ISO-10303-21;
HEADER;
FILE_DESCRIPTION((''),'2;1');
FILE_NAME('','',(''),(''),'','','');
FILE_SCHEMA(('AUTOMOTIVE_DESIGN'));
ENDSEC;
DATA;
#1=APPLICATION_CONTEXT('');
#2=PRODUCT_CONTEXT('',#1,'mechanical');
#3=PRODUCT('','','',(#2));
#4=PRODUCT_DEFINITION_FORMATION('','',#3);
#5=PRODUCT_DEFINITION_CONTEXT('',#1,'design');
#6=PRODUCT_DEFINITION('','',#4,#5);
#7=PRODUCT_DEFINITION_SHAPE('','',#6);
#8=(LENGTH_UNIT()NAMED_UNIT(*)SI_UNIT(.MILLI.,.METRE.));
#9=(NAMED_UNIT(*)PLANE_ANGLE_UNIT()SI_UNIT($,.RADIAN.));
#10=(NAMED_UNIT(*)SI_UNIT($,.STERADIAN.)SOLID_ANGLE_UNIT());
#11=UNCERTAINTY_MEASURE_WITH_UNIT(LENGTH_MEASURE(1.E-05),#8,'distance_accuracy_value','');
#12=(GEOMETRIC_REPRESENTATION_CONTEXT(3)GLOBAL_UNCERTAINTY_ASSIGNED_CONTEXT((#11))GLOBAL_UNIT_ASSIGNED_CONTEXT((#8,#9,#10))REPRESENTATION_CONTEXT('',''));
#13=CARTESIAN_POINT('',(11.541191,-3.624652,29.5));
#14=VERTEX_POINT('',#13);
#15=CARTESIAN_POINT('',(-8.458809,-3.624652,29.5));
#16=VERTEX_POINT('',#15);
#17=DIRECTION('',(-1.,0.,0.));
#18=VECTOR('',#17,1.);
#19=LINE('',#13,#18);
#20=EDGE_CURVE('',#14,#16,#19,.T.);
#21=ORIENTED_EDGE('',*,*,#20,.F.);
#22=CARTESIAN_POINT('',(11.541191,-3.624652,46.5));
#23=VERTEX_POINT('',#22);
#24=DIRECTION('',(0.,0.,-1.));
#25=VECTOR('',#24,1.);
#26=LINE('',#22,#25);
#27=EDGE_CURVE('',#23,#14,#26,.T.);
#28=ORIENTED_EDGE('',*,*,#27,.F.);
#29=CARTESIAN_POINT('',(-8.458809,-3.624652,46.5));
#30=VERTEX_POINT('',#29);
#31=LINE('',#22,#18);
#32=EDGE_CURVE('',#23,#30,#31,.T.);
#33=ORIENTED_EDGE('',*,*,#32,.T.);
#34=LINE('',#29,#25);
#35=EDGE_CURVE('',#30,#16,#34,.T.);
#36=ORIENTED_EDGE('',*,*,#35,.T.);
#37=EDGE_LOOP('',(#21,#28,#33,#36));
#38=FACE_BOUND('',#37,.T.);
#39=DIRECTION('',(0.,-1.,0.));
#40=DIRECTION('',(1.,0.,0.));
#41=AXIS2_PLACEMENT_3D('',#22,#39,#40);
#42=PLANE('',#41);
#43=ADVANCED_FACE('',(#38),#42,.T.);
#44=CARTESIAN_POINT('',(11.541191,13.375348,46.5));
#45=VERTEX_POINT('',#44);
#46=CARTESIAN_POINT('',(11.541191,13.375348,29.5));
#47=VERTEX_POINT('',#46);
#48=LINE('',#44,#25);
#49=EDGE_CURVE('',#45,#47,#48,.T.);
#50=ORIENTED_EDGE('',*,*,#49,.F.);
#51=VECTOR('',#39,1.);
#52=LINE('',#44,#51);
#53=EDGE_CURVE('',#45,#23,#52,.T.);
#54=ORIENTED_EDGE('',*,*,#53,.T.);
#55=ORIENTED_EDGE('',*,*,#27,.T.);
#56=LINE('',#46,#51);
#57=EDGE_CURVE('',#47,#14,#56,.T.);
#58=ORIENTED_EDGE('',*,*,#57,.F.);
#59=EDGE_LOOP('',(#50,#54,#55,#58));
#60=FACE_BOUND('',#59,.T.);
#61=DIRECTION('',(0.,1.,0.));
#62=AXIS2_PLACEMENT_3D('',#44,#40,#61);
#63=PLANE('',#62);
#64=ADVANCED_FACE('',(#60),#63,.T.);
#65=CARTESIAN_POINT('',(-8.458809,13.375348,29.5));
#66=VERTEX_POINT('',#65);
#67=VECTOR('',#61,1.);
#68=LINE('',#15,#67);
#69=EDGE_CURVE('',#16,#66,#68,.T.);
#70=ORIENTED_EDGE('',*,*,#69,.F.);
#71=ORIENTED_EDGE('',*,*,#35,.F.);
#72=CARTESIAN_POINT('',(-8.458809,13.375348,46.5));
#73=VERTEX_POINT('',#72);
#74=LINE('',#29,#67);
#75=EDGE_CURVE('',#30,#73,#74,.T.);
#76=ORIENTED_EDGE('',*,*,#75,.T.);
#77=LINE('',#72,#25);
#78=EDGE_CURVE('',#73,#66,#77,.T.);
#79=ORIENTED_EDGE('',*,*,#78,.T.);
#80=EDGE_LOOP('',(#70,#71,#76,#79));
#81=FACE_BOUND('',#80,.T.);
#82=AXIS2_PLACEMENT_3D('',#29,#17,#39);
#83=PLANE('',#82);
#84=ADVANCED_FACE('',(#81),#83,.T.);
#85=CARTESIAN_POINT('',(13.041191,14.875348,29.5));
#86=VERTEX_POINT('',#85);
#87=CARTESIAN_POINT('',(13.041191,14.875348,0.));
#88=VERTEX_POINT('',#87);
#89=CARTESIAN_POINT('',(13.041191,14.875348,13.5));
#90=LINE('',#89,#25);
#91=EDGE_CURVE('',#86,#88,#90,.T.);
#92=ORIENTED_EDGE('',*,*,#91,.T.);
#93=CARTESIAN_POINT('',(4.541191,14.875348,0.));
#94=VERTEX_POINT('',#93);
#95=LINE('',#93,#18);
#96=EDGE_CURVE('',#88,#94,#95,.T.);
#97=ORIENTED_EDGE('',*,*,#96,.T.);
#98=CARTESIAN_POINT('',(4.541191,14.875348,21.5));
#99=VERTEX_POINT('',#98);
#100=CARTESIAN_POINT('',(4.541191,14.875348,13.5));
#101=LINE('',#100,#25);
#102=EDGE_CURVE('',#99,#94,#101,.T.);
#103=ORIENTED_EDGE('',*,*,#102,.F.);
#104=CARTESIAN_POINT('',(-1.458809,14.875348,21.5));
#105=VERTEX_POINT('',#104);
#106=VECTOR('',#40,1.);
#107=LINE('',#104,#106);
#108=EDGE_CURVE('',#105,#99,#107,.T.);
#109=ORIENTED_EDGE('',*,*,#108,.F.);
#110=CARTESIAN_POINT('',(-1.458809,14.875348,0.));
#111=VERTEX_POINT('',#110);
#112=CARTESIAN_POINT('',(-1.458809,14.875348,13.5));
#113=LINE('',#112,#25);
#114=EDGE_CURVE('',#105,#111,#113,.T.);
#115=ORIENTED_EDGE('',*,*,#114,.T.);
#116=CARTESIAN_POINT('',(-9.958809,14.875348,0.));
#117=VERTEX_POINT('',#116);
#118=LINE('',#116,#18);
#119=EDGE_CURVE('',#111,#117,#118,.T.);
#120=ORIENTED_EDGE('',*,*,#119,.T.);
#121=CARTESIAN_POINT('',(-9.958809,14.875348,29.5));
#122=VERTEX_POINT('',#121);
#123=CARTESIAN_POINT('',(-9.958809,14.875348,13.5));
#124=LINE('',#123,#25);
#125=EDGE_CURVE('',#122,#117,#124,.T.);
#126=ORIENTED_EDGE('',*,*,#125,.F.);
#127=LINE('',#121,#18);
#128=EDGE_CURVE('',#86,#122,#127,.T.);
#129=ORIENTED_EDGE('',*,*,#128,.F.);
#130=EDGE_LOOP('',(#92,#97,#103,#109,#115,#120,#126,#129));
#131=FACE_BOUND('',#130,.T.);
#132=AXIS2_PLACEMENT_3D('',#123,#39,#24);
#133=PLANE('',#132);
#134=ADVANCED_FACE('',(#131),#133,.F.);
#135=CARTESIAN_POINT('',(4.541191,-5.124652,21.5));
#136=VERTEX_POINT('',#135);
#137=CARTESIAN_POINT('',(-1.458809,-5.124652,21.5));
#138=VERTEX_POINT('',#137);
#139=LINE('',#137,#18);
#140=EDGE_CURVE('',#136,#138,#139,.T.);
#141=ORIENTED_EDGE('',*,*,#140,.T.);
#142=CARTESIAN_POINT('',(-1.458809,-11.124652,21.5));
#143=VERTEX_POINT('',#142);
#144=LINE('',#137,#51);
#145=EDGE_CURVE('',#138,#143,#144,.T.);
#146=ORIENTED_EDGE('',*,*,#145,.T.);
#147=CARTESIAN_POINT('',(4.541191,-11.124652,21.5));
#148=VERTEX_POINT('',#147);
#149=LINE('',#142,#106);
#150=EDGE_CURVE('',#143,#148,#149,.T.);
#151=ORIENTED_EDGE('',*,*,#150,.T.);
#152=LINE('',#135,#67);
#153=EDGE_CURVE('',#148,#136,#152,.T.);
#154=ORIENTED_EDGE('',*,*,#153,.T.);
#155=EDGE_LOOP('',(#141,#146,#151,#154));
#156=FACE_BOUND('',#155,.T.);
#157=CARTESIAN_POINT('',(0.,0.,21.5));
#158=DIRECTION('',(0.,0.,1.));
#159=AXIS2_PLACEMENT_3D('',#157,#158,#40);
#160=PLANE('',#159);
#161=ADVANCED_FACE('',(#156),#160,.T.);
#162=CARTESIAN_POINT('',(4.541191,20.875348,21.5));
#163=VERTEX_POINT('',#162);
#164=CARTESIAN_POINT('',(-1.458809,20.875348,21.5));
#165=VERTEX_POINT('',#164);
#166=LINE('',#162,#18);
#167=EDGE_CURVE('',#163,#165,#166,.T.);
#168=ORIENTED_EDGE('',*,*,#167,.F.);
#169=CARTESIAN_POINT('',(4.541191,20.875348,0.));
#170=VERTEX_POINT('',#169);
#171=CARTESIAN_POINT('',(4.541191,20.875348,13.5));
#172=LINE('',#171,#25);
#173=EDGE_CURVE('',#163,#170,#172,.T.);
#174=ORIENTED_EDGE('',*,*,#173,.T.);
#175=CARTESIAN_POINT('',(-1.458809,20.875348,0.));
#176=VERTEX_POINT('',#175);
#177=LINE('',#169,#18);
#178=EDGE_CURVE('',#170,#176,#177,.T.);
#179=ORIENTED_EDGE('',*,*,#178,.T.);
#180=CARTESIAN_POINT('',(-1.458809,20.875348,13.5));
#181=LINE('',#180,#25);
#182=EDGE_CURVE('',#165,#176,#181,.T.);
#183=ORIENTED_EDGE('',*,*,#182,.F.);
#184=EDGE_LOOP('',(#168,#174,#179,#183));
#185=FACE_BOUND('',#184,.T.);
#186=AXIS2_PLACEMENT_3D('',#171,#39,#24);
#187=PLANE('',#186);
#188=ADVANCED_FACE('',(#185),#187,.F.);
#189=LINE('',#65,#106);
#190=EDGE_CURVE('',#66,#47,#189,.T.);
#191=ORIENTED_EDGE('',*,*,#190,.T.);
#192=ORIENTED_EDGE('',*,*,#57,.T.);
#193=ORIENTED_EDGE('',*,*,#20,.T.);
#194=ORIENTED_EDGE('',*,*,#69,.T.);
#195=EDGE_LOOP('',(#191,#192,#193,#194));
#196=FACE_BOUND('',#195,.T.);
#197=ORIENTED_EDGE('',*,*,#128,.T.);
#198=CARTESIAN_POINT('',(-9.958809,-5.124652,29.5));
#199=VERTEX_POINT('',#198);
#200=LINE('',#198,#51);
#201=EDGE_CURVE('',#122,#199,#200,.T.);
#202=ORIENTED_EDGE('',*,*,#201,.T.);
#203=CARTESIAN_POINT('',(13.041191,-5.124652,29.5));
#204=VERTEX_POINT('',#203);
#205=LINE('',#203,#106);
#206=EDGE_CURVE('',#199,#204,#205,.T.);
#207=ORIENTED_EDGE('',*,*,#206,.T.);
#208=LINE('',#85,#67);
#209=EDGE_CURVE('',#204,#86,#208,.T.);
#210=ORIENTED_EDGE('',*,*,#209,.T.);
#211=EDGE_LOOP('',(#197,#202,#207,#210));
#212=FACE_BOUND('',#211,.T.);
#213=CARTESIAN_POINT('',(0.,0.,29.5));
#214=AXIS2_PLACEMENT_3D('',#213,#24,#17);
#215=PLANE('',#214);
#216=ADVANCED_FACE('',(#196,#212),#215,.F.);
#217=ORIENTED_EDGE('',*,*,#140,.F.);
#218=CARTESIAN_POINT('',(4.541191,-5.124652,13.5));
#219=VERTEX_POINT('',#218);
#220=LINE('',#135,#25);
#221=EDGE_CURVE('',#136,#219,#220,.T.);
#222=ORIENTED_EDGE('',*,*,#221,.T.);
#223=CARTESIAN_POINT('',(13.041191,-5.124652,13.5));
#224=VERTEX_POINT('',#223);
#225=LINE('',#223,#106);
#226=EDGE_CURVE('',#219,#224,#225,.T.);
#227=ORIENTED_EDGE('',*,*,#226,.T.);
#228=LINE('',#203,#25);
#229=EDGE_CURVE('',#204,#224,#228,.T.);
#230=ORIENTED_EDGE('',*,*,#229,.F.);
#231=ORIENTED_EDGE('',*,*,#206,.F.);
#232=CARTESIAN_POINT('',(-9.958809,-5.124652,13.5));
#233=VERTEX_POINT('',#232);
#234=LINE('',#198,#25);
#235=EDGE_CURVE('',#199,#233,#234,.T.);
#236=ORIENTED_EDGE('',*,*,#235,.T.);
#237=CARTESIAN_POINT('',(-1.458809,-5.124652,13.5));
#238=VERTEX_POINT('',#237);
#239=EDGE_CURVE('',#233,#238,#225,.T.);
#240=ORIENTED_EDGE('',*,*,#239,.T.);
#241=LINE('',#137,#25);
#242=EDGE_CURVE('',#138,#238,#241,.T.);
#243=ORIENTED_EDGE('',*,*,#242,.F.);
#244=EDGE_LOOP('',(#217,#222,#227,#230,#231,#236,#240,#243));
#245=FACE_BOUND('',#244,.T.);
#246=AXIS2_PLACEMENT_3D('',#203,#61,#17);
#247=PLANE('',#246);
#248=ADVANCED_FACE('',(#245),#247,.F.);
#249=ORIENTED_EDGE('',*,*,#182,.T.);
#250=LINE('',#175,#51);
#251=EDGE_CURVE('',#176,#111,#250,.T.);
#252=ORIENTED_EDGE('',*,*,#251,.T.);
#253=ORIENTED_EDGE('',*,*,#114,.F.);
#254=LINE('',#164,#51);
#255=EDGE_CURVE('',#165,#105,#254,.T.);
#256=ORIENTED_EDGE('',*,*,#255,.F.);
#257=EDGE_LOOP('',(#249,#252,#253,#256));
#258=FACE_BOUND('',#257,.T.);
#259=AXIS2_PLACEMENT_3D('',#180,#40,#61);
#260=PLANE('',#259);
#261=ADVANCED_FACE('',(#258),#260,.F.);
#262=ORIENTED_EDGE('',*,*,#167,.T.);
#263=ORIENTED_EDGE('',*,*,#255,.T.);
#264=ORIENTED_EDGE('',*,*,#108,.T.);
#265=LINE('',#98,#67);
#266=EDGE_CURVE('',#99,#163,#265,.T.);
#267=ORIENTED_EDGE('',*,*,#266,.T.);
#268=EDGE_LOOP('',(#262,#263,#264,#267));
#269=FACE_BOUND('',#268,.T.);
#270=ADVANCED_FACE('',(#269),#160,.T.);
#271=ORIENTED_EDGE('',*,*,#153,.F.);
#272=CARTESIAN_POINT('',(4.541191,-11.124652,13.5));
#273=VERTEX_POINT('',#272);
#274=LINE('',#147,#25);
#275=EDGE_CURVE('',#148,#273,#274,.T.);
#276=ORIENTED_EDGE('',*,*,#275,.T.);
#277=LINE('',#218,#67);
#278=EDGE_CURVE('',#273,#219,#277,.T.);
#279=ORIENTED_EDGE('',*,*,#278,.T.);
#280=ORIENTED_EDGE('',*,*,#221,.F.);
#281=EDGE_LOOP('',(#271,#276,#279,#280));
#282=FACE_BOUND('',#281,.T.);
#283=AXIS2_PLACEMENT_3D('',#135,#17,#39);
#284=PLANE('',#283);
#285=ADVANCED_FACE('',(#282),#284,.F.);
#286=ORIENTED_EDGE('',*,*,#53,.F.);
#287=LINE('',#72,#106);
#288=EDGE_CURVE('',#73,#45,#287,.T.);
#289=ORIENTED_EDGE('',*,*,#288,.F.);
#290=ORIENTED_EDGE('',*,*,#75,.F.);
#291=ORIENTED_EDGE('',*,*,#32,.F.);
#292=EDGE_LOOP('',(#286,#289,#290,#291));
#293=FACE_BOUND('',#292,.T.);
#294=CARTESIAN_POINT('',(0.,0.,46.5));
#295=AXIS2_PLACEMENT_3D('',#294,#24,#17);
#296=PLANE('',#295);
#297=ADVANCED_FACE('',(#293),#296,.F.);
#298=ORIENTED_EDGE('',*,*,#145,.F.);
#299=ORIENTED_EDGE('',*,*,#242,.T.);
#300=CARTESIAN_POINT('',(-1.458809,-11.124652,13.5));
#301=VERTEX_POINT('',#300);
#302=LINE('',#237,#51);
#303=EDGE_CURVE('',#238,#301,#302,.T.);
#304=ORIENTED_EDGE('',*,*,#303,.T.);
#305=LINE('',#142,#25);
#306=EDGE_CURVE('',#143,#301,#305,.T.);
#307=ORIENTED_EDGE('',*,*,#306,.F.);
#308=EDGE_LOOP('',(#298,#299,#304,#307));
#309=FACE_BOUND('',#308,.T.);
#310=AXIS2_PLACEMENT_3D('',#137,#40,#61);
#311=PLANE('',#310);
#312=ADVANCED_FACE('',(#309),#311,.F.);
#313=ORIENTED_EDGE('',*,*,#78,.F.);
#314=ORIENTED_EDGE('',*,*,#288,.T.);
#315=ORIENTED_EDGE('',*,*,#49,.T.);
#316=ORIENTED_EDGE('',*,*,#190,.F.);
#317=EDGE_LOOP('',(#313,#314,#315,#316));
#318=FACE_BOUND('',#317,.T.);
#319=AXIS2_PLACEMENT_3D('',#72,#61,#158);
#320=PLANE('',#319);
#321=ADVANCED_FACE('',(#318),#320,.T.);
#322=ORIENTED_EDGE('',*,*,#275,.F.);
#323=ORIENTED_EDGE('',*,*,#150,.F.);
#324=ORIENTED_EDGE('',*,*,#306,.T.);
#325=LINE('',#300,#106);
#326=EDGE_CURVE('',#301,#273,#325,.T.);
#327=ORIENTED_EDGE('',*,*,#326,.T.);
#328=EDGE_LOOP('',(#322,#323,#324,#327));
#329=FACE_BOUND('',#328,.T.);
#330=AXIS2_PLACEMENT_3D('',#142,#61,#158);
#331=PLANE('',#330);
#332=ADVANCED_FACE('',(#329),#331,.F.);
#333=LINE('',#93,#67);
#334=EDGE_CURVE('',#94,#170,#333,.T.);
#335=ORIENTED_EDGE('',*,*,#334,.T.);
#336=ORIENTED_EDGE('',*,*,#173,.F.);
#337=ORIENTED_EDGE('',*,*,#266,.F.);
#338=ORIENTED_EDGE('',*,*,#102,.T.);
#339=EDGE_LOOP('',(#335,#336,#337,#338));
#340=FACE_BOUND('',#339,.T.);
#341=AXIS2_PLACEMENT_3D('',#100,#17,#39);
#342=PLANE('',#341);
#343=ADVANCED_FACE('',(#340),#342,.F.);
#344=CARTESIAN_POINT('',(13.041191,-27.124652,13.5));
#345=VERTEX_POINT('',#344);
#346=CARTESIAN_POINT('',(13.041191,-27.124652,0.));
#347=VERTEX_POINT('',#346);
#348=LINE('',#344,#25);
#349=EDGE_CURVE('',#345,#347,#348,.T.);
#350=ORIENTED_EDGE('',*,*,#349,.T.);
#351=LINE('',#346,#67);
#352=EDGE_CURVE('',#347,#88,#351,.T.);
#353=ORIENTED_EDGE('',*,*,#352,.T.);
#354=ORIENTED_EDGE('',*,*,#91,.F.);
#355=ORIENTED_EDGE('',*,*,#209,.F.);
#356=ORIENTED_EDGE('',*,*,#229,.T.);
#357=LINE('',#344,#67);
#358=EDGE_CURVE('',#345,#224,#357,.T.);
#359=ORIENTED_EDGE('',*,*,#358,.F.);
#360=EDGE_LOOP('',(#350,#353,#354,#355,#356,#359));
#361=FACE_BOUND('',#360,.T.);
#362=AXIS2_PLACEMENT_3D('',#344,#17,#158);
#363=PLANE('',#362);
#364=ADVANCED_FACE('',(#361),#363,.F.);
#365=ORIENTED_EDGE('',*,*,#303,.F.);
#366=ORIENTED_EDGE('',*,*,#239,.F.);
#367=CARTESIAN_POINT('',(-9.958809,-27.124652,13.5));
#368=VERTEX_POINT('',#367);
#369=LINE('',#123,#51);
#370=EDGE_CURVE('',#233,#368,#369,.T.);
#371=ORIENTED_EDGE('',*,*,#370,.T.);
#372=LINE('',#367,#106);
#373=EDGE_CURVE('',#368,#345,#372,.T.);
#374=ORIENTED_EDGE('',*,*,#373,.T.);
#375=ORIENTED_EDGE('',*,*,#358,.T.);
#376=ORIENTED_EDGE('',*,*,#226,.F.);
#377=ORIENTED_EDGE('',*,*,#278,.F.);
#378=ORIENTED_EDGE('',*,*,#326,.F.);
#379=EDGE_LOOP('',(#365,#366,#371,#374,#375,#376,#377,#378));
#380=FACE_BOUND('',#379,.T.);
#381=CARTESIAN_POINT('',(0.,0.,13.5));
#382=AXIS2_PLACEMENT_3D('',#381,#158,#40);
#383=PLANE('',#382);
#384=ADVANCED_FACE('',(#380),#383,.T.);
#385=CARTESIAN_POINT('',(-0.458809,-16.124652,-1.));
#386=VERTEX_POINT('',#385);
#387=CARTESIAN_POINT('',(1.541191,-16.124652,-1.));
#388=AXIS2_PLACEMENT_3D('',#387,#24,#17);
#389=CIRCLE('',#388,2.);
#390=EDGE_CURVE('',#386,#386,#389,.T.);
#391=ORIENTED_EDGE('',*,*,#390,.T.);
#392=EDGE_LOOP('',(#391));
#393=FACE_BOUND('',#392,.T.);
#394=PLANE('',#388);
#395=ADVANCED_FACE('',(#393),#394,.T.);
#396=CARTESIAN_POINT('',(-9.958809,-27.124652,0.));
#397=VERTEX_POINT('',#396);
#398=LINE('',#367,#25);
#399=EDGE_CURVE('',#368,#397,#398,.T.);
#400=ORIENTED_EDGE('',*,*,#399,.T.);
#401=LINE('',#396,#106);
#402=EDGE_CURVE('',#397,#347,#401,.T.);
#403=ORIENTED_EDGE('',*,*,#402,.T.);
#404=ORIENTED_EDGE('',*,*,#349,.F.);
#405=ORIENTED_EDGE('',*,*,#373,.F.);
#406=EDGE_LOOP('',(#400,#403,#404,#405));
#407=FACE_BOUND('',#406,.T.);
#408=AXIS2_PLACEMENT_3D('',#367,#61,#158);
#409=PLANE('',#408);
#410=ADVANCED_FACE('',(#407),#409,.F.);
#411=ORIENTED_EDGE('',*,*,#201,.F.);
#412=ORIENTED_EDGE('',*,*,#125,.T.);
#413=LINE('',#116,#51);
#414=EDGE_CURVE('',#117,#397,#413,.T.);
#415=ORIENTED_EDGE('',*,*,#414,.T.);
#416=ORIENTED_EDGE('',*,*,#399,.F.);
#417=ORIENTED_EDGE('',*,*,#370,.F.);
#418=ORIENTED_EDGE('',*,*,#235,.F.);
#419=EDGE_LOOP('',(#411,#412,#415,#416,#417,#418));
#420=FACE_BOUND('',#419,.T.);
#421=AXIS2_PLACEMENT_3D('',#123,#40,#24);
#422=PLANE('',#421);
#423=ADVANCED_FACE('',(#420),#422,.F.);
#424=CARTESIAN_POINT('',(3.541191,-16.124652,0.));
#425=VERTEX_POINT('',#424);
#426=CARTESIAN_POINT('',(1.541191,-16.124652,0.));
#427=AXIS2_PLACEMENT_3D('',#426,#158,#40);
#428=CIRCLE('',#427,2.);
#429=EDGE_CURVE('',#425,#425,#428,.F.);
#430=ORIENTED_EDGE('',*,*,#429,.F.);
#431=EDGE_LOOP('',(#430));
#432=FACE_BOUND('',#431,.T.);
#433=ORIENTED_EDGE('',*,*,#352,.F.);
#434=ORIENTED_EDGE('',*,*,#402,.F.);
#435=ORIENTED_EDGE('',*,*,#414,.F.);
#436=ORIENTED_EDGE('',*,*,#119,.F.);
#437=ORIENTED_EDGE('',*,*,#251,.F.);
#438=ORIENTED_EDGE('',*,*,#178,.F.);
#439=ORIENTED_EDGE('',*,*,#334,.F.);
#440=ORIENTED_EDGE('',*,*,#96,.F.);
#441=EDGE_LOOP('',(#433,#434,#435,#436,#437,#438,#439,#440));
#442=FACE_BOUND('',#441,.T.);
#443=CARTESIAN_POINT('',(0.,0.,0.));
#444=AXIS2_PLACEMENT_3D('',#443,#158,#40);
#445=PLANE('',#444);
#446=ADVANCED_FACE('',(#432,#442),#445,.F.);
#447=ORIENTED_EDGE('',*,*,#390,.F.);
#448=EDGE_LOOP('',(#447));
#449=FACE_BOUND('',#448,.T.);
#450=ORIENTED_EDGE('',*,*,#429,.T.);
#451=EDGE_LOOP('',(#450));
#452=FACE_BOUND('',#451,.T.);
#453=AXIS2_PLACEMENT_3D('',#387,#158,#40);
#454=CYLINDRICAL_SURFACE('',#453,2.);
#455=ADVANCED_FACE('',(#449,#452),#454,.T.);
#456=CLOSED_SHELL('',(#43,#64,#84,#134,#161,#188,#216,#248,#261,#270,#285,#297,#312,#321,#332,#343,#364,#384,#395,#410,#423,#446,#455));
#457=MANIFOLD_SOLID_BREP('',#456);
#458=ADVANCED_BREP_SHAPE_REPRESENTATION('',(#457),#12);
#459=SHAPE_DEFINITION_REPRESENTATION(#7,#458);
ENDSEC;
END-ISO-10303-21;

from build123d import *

# Parameters (mm, degrees)
SALIENTE_EXTRUIR1_DEPTH = 13.5
CROQUIS2_R              = 2
SALIENTE_EXTRUIR2_DEPTH = 1
CROQUIS6_W              = 6
CROQUIS6_H              = 6
SALIENTE_EXTRUIR3_DEPTH = 8
CROQUIS7_W              = 6
CROQUIS7_H              = 6
SALIENTE_EXTRUIR4_DEPTH = 8
CROQUIS8_W              = 23
CROQUIS8_H              = 20
SALIENTE_EXTRUIR5_DEPTH = 16
CROQUIS9_W              = 20
CROQUIS9_H              = 17
SALIENTE_EXTRUIR6_DEPTH = 17


with BuildPart() as part:
    # Croquis1 → Saliente-Extruir1 (new body)
    with BuildSketch(Plane.XY):
        Polygon((-9.958809275, -27.124651578), (13.041190725, -27.124651578), (13.041190725, 14.875348422), (4.541190725, 14.875348422), (4.541190725, 20.875348422), (-1.458809275, 20.875348422), (-1.458809275, 14.875348422), (-9.958809275, 14.875348422), align=None)
    extrude(amount=SALIENTE_EXTRUIR1_DEPTH)

    # Croquis2 → Saliente-Extruir2 (add)
    with BuildSketch(Plane(origin=(0, 0, 0), x_dir=(-1, 0, 0), z_dir=(0, 0, -1))):
        with Locations((-1.541190725, -16.124651578)):
            Circle(CROQUIS2_R)
    extrude(amount=SALIENTE_EXTRUIR2_DEPTH)

    # Croquis6 → Saliente-Extruir3 (add)
    with BuildSketch(Plane.XY.offset(13.5)):
        with Locations((1.541190725, -8.124651578)):
            Rectangle(CROQUIS6_W, CROQUIS6_H)
    extrude(amount=SALIENTE_EXTRUIR3_DEPTH)

    # Croquis7 → Saliente-Extruir4 (add)
    with BuildSketch(Plane.XY.offset(13.5)):
        with Locations((1.541190725, 17.875348422)):
            Rectangle(CROQUIS7_W, CROQUIS7_H)
    extrude(amount=SALIENTE_EXTRUIR4_DEPTH)

    # Croquis8 → Saliente-Extruir5 (add)
    with BuildSketch(Plane.XY.offset(13.5)):
        with Locations((1.541190725, 4.875348422)):
            Rectangle(CROQUIS8_W, CROQUIS8_H)
    extrude(amount=SALIENTE_EXTRUIR5_DEPTH)

    # Croquis9 → Saliente-Extruir6 (add)
    with BuildSketch(Plane.XY.offset(29.5)):
        with Locations((1.541190725, 4.875348422)):
            Rectangle(CROQUIS9_W, CROQUIS9_H)
    extrude(amount=SALIENTE_EXTRUIR6_DEPTH)


solid = part.part
